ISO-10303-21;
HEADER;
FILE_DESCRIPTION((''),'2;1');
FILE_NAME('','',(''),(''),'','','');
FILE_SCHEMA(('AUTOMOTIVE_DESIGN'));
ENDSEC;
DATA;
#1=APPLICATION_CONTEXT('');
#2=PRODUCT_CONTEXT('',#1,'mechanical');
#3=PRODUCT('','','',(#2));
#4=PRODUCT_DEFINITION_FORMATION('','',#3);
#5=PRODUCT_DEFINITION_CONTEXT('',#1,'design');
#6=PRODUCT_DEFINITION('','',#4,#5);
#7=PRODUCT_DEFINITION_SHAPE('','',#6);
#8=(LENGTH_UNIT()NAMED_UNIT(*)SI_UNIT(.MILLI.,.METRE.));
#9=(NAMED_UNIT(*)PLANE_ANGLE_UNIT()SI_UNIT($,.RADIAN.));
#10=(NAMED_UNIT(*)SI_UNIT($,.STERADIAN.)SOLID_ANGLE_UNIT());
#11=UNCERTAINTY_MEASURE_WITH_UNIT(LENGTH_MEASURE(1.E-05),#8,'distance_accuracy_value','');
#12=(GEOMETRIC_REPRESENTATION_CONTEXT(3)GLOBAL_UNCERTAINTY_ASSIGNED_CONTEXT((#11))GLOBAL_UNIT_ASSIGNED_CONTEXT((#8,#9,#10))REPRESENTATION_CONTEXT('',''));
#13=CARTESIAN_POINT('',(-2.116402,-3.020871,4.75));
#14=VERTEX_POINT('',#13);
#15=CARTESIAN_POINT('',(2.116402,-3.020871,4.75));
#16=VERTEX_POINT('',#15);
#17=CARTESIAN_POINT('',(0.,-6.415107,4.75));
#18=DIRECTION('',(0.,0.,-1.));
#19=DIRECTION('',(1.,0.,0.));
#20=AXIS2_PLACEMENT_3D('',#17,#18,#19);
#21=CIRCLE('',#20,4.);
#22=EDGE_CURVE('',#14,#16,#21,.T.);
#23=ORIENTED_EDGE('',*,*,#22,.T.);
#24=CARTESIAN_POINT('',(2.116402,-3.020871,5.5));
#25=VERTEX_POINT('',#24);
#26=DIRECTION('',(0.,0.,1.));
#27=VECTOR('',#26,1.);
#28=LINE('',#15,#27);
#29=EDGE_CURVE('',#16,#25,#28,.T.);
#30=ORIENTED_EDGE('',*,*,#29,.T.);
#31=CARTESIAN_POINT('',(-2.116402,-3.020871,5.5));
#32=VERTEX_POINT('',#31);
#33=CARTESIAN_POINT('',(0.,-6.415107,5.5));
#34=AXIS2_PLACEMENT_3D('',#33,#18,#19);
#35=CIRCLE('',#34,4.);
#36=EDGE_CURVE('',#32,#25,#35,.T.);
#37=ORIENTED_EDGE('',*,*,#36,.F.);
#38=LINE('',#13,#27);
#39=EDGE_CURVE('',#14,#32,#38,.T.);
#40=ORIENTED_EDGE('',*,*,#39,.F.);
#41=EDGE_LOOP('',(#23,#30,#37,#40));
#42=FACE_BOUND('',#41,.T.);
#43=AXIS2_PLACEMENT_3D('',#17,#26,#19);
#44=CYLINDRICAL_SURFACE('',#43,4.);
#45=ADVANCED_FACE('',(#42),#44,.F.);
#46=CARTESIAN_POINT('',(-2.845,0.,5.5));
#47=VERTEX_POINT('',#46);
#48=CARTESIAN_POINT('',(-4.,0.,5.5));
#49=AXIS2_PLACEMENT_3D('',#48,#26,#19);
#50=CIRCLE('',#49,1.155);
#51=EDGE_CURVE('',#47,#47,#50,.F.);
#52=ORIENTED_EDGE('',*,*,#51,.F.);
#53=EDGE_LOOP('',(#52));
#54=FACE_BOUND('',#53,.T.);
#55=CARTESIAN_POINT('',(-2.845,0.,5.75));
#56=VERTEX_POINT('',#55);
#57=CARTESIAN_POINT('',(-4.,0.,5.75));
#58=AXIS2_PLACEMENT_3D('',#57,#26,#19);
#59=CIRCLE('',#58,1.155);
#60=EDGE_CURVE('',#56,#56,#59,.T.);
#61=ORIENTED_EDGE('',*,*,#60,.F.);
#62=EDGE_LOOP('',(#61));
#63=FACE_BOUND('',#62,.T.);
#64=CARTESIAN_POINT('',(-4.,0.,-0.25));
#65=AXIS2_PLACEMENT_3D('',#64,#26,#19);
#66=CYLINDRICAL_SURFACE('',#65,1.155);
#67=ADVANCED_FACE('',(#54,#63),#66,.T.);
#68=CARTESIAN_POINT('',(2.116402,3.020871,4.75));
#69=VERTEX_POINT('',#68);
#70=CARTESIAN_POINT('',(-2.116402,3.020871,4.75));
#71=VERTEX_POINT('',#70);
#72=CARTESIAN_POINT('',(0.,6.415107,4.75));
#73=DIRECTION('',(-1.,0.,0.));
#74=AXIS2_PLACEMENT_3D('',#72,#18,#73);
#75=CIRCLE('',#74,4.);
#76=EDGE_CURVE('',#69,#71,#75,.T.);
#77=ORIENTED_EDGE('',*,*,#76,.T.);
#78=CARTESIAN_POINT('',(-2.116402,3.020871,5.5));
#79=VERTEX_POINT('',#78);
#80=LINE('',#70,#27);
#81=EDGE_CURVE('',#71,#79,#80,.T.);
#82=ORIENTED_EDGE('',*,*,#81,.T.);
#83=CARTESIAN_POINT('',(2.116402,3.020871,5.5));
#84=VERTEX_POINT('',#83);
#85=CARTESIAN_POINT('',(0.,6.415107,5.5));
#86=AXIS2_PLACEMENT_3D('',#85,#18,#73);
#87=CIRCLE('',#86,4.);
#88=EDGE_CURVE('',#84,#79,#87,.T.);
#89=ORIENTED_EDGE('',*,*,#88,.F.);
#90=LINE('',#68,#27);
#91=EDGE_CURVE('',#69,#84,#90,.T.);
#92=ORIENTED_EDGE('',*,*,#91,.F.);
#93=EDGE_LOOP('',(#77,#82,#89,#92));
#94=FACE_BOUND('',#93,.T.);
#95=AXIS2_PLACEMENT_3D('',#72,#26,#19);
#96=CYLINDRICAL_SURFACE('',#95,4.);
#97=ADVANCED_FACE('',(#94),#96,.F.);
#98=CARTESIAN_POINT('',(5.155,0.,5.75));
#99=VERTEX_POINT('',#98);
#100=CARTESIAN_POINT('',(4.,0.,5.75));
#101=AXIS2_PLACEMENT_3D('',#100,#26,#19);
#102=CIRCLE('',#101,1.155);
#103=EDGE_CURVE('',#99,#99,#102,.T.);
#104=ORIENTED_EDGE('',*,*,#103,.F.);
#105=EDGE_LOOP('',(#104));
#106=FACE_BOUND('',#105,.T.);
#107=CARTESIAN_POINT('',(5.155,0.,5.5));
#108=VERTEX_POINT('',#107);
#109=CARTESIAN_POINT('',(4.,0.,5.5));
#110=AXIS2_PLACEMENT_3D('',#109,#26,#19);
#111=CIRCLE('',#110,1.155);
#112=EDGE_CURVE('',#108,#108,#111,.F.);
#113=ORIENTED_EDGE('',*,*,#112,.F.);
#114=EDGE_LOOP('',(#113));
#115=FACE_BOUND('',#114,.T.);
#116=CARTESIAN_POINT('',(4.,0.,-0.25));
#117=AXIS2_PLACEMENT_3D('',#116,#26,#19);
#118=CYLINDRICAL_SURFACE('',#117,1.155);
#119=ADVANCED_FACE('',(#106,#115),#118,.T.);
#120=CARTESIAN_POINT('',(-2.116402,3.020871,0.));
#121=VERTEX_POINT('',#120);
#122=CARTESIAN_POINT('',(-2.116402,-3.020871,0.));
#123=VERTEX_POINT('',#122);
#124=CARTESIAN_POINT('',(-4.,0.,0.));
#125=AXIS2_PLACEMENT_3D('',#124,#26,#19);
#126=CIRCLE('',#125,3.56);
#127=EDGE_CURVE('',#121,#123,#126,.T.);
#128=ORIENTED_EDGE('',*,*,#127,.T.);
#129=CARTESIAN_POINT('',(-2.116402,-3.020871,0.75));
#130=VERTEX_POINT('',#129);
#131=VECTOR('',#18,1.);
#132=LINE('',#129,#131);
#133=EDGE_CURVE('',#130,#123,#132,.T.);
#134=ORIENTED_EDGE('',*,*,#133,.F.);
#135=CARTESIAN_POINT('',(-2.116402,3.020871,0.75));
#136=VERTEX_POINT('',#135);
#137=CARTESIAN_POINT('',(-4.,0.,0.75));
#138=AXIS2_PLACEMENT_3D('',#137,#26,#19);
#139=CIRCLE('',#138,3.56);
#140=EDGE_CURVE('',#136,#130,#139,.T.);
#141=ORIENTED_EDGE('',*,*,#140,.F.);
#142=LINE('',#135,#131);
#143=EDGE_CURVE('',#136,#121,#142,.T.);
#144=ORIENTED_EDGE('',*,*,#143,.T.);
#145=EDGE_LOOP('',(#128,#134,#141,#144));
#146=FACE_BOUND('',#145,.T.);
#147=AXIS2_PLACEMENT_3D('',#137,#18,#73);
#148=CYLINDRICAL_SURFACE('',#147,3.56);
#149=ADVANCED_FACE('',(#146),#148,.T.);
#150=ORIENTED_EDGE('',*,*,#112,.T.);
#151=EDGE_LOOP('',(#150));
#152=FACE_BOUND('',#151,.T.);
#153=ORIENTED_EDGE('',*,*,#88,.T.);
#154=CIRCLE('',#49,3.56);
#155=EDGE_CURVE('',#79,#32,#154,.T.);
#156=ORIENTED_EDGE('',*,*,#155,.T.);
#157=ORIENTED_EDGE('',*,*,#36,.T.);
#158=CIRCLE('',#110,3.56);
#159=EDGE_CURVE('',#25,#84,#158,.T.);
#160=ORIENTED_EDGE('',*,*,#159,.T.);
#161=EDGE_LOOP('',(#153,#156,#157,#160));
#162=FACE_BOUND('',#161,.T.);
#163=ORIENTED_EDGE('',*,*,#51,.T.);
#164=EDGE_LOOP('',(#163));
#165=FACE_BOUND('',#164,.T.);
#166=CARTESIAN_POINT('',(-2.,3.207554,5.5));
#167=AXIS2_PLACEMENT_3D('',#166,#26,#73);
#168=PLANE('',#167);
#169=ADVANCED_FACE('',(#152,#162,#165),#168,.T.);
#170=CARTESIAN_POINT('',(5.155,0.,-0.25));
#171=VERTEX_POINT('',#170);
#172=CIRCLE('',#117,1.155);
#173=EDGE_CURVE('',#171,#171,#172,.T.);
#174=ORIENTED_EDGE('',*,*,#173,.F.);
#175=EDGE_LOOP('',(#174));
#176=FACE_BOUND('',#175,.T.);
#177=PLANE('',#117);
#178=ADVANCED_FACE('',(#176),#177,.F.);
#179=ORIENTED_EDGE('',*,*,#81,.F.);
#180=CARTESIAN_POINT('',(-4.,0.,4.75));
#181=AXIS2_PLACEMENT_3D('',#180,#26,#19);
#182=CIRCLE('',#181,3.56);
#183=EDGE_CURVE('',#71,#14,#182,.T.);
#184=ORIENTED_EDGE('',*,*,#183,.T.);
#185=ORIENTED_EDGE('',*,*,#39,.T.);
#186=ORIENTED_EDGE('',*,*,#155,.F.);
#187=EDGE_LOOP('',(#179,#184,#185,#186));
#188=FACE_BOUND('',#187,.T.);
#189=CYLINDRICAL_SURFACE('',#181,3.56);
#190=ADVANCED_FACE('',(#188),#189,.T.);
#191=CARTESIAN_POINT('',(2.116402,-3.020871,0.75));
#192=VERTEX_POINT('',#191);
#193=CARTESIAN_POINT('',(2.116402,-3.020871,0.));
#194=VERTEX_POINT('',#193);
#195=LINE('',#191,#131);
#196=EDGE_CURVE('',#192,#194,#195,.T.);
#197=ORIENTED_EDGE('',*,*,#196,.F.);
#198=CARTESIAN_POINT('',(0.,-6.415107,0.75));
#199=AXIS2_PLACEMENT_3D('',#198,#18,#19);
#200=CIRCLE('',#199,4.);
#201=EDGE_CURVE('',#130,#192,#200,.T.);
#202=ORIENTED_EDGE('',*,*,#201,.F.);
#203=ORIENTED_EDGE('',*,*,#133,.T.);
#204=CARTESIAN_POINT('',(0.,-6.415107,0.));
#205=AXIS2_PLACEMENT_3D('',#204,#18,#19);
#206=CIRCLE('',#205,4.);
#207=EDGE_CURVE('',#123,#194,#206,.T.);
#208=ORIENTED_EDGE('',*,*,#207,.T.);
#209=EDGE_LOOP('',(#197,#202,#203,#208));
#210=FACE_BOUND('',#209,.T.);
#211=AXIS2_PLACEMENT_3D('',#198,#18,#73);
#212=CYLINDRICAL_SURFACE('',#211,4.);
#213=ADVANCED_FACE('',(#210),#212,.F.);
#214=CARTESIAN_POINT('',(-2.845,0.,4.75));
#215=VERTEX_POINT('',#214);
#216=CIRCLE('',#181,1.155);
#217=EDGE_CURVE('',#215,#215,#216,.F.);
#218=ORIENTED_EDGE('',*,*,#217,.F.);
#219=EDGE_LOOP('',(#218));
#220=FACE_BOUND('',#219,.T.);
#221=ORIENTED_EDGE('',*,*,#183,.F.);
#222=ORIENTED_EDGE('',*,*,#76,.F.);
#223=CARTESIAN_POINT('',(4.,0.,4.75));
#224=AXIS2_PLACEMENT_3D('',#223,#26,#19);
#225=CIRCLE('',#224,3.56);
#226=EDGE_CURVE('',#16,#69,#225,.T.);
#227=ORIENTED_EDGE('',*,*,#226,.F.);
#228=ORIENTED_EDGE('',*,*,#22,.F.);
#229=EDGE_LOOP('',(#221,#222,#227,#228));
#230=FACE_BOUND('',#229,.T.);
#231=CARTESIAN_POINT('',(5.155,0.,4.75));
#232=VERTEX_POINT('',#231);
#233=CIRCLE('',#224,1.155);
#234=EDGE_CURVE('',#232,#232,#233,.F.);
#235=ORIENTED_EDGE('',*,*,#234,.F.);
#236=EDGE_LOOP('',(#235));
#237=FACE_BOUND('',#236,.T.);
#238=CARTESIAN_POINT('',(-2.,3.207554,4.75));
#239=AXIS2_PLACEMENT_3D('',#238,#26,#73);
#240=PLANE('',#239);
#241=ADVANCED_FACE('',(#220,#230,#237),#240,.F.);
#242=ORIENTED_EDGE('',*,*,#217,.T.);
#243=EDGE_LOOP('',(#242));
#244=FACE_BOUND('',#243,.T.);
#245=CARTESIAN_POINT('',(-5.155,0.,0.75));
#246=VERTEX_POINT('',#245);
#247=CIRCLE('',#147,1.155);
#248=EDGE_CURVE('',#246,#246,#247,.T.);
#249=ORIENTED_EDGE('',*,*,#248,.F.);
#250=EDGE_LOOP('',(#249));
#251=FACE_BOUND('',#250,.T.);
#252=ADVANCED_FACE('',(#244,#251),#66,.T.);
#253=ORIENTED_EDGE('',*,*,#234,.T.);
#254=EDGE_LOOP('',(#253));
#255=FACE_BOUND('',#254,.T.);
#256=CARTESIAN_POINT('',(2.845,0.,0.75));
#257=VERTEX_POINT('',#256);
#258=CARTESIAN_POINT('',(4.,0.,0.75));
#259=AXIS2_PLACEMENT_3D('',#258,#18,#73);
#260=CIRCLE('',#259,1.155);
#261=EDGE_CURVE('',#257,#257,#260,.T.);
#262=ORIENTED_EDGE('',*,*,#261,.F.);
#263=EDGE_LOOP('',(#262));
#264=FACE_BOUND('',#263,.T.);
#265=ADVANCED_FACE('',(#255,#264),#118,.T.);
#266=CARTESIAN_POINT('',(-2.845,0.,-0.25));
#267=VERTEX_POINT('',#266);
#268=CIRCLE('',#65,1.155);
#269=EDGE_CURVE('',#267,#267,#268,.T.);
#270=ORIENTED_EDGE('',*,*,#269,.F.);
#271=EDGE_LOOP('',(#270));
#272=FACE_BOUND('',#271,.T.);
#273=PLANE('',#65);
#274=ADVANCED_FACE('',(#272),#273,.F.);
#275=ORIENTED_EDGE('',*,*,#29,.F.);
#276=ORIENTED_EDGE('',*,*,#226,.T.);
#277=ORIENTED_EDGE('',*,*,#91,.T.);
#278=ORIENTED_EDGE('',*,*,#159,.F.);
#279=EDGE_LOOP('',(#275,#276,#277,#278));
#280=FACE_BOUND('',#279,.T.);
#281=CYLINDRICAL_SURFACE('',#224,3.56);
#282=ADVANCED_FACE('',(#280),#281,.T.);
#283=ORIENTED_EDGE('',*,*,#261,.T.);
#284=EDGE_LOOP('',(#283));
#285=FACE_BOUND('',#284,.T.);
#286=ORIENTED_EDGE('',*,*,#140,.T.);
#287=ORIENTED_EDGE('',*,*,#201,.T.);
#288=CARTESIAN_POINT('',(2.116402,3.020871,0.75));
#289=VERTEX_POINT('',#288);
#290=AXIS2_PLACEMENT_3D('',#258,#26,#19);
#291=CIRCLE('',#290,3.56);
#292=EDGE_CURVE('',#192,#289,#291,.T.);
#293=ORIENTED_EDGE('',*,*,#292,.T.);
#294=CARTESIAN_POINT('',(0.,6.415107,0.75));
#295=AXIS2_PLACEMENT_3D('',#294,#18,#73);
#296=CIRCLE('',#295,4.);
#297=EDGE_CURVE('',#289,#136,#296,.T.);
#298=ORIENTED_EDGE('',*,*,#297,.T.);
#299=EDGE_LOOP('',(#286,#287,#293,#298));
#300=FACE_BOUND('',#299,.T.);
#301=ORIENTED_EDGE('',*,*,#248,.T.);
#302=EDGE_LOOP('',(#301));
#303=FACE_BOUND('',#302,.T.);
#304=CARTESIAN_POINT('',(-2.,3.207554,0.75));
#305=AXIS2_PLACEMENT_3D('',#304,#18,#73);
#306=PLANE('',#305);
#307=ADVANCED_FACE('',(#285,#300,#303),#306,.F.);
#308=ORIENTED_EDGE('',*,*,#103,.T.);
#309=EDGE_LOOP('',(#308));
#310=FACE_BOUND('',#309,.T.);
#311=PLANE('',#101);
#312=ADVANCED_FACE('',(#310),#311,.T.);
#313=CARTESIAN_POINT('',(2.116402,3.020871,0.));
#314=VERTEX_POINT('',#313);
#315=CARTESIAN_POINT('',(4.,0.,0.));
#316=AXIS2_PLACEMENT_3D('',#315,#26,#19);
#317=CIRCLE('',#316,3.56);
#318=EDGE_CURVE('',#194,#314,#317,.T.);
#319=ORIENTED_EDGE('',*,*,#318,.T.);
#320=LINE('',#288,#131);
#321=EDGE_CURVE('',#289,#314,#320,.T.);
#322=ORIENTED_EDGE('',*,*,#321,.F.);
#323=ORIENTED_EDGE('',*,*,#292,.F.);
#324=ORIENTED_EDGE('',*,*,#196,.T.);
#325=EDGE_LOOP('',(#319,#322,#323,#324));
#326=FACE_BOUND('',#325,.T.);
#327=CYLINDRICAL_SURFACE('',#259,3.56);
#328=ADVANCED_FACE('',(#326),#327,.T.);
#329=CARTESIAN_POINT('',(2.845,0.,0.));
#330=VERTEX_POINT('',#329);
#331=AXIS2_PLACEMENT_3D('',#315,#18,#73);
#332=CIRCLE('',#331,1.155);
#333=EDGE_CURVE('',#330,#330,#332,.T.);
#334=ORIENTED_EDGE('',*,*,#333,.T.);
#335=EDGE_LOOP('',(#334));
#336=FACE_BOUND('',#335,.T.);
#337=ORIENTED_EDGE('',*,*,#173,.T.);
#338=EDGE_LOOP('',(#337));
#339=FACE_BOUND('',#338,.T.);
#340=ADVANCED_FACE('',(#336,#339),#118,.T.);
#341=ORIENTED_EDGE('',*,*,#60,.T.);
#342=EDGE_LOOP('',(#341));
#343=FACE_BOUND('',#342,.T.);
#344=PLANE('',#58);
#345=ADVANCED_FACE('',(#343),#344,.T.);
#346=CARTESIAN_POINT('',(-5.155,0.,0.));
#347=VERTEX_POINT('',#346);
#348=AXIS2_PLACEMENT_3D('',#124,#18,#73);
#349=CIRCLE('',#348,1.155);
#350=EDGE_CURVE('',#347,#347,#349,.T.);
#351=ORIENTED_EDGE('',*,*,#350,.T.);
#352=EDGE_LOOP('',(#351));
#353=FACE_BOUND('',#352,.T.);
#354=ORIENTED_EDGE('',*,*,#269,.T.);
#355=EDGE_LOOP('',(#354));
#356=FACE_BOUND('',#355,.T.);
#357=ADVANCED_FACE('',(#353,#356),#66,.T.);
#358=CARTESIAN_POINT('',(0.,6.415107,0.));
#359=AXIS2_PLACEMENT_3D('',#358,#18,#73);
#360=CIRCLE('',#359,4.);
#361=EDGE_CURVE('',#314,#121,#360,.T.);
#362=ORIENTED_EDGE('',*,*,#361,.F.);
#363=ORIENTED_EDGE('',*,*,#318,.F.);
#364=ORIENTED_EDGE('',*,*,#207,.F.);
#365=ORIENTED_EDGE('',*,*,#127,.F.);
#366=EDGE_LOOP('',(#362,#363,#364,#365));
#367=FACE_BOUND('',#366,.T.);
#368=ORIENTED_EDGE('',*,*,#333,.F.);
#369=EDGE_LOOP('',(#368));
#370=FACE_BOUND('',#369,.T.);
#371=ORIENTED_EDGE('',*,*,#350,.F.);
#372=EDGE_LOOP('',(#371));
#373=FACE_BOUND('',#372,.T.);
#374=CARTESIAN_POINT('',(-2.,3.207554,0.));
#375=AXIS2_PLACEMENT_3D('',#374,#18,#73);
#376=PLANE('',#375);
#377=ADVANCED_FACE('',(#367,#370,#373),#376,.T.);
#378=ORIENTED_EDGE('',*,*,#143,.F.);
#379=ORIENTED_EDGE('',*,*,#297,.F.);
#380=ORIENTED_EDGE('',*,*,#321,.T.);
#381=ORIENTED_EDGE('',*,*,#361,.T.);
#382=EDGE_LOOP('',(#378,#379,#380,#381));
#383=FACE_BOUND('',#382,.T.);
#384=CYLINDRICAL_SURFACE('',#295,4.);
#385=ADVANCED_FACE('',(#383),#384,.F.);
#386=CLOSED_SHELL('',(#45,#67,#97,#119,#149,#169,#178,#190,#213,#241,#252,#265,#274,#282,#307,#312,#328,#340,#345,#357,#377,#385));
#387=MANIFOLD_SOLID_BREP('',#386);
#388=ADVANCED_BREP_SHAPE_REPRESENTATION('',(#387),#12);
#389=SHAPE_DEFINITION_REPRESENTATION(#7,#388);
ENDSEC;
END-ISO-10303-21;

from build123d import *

# Parameters (mm, degrees)
BOSS_EXTRUDE1_DEPTH      = 0.75
BOSS_EXTRUDE2_DEPTH      = 5
BOSS_EXTRUDE2_DEPTH_BACK = 1
SKETCH2_R                = 1.155


with BuildPart() as part:
    # Sketch1 → Boss-Extrude1 (new body)
    with BuildSketch(Plane.XY):
        with BuildLine():
            ThreePointArc((-2.116402116, 3.020870572), (-7.56, 0), (-2.116402116, -3.020870572))
            ThreePointArc((-2.116402116, -3.020870572), (0, -2.41510717), (2.116402116, -3.020870572))
            ThreePointArc((2.116402116, -3.020870572), (7.56, 0), (2.116402116, 3.020870572))
            ThreePointArc((2.116402116, 3.020870572), (0, 2.41510717), (-2.116402116, 3.020870572))
        make_face()
    boss_extrude1 = extrude(amount=BOSS_EXTRUDE1_DEPTH)

    # Sketch2 → Boss-Extrude2 (add, two sides: drawn at the far end of the back side and taken through both)
    with BuildSketch(Plane.XY.offset(0.75).offset(-BOSS_EXTRUDE2_DEPTH_BACK)):
        with Locations((-4, 0)):
            Circle(SKETCH2_R)
        with Locations((4, 0)):
            Circle(SKETCH2_R)
    extrude(amount=BOSS_EXTRUDE2_DEPTH + BOSS_EXTRUDE2_DEPTH_BACK)

    # Mirror1: Boss-Extrude1 across plane
    add(boss_extrude1.mirror(Plane.XY.offset(2.75)))


solid = part.part
